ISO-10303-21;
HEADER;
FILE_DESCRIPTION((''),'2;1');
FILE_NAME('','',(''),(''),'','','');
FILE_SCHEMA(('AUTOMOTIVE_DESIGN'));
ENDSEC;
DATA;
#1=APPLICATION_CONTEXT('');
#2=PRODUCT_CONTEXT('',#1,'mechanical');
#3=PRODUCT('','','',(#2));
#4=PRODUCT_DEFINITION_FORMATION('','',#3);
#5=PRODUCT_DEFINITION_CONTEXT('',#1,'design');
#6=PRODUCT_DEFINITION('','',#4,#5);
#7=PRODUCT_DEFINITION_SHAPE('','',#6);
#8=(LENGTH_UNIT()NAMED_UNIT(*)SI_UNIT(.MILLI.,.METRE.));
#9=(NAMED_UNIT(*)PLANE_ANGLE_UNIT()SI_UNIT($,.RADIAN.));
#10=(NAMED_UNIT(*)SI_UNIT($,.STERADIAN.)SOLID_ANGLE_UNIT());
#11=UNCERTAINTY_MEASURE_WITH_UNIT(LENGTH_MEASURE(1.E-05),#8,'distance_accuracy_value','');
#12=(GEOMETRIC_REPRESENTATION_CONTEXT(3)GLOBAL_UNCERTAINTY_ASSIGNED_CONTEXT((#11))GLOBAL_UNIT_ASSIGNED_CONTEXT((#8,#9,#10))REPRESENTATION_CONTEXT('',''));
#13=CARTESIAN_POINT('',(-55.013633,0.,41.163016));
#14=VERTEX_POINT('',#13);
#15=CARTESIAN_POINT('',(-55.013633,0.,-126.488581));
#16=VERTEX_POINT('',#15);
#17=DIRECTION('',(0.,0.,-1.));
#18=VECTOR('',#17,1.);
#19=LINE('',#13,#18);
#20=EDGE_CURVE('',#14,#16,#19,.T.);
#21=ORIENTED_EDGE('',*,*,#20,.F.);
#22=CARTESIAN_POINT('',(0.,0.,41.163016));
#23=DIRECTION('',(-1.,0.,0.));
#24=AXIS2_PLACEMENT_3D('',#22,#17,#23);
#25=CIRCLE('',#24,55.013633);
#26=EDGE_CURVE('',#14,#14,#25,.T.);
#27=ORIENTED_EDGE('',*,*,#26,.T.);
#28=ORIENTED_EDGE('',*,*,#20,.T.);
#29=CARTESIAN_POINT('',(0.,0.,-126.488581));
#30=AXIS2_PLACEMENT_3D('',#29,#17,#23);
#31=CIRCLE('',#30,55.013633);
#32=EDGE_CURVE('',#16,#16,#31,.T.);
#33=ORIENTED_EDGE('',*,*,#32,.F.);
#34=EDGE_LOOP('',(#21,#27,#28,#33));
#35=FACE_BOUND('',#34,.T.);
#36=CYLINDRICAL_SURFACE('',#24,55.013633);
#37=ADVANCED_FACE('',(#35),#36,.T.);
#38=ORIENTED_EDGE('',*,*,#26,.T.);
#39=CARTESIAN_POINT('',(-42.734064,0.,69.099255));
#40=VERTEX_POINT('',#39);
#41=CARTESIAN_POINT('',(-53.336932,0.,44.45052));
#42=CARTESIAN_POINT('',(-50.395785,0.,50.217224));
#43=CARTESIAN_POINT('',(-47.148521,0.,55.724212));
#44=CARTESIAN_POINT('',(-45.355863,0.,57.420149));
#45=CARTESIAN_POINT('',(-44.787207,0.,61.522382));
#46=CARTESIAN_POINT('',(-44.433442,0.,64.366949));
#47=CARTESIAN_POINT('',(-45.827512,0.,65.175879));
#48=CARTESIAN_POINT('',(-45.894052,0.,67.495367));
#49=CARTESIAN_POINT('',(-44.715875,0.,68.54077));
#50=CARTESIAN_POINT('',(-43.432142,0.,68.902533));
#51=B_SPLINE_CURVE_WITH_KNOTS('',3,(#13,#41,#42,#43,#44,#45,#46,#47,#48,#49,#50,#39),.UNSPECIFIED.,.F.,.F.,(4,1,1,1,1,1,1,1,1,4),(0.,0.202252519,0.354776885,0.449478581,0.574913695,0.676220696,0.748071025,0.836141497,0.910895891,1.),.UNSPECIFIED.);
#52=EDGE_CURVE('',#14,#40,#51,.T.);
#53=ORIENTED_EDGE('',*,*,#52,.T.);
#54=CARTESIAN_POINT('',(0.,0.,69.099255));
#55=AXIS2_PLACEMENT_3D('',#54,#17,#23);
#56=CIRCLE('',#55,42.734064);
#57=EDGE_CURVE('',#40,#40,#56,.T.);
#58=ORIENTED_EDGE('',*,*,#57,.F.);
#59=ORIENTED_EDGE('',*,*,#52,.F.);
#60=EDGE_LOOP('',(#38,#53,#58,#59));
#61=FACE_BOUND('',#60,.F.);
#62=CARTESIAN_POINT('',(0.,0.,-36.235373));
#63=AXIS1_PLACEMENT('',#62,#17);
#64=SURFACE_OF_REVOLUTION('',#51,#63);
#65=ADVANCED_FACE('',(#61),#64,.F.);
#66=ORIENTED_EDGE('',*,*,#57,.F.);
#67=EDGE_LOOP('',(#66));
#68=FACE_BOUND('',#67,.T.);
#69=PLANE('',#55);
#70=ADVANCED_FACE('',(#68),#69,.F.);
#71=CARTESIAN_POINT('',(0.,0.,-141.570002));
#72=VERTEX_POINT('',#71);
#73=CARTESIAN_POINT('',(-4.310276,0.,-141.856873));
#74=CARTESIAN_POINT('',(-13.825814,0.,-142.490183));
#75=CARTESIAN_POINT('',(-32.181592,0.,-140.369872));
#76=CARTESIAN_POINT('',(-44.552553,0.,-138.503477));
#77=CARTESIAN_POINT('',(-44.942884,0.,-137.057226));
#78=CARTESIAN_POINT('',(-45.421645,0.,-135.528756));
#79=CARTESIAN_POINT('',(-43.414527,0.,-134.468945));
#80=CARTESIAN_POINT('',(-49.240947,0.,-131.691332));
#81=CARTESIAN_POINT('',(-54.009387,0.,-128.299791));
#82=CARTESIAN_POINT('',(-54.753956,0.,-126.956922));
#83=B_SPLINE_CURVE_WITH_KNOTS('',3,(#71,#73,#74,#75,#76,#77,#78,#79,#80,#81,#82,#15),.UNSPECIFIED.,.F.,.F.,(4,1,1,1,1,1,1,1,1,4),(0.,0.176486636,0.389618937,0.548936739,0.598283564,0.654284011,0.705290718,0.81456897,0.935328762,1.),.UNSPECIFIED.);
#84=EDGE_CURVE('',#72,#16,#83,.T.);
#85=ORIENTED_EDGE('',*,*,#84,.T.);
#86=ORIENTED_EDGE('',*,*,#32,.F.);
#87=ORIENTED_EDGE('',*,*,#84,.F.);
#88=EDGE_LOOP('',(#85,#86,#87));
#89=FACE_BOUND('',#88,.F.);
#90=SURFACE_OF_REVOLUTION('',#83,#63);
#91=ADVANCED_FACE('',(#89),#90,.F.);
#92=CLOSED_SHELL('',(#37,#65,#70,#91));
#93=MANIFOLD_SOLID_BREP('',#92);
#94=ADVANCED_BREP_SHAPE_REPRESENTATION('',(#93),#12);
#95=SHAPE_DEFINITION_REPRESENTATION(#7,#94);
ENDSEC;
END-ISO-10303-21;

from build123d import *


with BuildPart() as f1:
    # F0 (on Front) → F1 (revolve)
    with BuildSketch(Plane.XZ):
        with BuildLine():
            add(Edge.make_bspline(
                [(0, -141.5700018406), (-4.310276135, -141.8568734413), (-13.82581361, -142.4901826266), (-32.1815921459, -140.3698724466), (-44.5525534346, -138.5034772972), (-44.9428839791, -137.0572258914), (-45.4216446896, -135.5287564792), (-43.4145274251, -134.46894545), (-49.2409474079, -131.6913323877), (-54.0093873166, -128.2997911904), (-54.7539558818, -126.9569224585), (-55.0136328675, -126.4885812998)],
                knots=[0, 0, 0, 0, 0.1764866365, 0.3896189365, 0.5489367395, 0.5982835637, 0.6542840106, 0.7052907178, 0.8145689697, 0.9353287618, 1, 1, 1, 1], degree=3))
            Line((0, -141.5700018406), (0, 69.0992549062))
            Line((0, 69.0992549062), (-42.7340641618, 69.0992549062))
            add(Edge.make_bspline(
                [(-55.0136328675, 41.1630161107), (-53.3369324441, 44.4505201339), (-50.3957846409, 50.2172242516), (-47.1485214837, 55.7242118796), (-45.3558626167, 57.4201494125), (-44.7872068574, 61.5223822883), (-44.4334417173, 64.3669494771), (-45.8275124597, 65.1758792191), (-45.8940515937, 67.4953671361), (-44.7158751634, 68.5407701839), (-43.4321416466, 68.902533014), (-42.7340641618, 69.0992549062)],
                knots=[0, 0, 0, 0, 0.2022525193, 0.3547768846, 0.4494785806, 0.5749136953, 0.6762206963, 0.7480710246, 0.8361414968, 0.9108958906, 1, 1, 1, 1], degree=3))
            Line((-55.0136328675, 41.1630161107), (-55.0136328675, -126.4885812998))
        make_face()
    revolve(axis=Axis((0, 0, -36.2353734672), (0, 0, -1)))


solid = f1.part
